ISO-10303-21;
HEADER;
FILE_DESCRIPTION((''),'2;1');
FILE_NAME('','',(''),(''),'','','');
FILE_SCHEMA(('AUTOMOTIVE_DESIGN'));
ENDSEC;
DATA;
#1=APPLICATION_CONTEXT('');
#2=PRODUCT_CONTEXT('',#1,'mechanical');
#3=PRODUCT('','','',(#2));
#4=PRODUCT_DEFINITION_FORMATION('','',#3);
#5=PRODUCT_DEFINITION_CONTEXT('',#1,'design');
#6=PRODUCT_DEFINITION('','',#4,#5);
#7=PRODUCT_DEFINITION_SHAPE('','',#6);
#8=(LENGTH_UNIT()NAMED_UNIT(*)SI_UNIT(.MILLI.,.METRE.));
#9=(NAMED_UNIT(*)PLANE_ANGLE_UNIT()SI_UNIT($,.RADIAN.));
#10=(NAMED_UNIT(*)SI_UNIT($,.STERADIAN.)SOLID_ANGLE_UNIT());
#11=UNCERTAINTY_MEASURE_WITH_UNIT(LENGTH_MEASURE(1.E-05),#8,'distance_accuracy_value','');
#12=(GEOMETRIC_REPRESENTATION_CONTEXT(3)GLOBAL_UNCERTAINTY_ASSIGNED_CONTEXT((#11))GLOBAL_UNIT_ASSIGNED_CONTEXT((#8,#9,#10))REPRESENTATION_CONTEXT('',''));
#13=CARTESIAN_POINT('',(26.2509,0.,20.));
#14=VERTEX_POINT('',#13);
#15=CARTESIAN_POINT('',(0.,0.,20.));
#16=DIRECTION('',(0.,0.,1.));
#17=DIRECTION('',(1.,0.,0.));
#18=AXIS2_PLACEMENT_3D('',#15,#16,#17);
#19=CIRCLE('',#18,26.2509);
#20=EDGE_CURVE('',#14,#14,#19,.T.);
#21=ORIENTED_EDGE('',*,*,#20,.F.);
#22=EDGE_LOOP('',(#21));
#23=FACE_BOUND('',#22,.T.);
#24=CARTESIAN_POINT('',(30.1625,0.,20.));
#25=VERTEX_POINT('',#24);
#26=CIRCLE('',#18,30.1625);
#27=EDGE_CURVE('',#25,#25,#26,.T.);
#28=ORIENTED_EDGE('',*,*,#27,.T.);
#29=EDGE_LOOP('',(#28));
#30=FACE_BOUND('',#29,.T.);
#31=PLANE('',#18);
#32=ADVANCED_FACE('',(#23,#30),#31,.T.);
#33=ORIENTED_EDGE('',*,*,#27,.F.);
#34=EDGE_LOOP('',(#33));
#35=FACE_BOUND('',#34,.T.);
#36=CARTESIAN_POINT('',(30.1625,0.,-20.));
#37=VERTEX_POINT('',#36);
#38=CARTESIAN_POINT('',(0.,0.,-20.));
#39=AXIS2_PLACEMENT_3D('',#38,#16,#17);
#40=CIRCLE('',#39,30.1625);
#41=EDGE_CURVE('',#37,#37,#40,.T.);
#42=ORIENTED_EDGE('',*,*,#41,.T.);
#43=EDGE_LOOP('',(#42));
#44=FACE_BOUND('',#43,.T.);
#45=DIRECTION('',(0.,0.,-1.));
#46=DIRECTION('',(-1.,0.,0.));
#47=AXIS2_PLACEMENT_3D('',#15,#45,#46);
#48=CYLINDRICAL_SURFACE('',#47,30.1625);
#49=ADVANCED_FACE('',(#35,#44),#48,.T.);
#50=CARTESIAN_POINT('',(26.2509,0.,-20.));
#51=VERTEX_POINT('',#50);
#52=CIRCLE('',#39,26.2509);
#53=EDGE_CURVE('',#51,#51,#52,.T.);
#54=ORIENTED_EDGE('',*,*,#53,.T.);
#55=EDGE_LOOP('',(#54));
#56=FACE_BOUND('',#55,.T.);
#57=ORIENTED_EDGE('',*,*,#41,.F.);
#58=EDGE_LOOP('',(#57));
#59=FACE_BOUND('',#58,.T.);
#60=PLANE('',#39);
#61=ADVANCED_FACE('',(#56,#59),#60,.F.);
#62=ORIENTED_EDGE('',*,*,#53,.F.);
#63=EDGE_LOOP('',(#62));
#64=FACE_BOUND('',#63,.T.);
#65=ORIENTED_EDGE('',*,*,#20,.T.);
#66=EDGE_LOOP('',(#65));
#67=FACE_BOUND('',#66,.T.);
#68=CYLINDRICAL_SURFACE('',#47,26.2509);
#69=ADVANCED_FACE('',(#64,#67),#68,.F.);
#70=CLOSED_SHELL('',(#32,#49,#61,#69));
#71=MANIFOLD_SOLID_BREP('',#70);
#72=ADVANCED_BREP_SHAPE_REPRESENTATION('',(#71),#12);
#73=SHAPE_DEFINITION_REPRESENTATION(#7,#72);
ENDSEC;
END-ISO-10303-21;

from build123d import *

# Parameters (mm, degrees)
SKETCH1_R           = 30.1625
SKETCH1_R_2         = 26.2509
EXTRUDE_THIN1_DEPTH = 20


with BuildPart() as part:
    # Sketch1 → Extrude-Thin1 (new, symmetric)
    with BuildSketch(Plane.XY):
        Circle(SKETCH1_R)
        Circle(SKETCH1_R_2, mode=Mode.SUBTRACT)
    extrude(amount=EXTRUDE_THIN1_DEPTH, both=True)


solid = part.part
